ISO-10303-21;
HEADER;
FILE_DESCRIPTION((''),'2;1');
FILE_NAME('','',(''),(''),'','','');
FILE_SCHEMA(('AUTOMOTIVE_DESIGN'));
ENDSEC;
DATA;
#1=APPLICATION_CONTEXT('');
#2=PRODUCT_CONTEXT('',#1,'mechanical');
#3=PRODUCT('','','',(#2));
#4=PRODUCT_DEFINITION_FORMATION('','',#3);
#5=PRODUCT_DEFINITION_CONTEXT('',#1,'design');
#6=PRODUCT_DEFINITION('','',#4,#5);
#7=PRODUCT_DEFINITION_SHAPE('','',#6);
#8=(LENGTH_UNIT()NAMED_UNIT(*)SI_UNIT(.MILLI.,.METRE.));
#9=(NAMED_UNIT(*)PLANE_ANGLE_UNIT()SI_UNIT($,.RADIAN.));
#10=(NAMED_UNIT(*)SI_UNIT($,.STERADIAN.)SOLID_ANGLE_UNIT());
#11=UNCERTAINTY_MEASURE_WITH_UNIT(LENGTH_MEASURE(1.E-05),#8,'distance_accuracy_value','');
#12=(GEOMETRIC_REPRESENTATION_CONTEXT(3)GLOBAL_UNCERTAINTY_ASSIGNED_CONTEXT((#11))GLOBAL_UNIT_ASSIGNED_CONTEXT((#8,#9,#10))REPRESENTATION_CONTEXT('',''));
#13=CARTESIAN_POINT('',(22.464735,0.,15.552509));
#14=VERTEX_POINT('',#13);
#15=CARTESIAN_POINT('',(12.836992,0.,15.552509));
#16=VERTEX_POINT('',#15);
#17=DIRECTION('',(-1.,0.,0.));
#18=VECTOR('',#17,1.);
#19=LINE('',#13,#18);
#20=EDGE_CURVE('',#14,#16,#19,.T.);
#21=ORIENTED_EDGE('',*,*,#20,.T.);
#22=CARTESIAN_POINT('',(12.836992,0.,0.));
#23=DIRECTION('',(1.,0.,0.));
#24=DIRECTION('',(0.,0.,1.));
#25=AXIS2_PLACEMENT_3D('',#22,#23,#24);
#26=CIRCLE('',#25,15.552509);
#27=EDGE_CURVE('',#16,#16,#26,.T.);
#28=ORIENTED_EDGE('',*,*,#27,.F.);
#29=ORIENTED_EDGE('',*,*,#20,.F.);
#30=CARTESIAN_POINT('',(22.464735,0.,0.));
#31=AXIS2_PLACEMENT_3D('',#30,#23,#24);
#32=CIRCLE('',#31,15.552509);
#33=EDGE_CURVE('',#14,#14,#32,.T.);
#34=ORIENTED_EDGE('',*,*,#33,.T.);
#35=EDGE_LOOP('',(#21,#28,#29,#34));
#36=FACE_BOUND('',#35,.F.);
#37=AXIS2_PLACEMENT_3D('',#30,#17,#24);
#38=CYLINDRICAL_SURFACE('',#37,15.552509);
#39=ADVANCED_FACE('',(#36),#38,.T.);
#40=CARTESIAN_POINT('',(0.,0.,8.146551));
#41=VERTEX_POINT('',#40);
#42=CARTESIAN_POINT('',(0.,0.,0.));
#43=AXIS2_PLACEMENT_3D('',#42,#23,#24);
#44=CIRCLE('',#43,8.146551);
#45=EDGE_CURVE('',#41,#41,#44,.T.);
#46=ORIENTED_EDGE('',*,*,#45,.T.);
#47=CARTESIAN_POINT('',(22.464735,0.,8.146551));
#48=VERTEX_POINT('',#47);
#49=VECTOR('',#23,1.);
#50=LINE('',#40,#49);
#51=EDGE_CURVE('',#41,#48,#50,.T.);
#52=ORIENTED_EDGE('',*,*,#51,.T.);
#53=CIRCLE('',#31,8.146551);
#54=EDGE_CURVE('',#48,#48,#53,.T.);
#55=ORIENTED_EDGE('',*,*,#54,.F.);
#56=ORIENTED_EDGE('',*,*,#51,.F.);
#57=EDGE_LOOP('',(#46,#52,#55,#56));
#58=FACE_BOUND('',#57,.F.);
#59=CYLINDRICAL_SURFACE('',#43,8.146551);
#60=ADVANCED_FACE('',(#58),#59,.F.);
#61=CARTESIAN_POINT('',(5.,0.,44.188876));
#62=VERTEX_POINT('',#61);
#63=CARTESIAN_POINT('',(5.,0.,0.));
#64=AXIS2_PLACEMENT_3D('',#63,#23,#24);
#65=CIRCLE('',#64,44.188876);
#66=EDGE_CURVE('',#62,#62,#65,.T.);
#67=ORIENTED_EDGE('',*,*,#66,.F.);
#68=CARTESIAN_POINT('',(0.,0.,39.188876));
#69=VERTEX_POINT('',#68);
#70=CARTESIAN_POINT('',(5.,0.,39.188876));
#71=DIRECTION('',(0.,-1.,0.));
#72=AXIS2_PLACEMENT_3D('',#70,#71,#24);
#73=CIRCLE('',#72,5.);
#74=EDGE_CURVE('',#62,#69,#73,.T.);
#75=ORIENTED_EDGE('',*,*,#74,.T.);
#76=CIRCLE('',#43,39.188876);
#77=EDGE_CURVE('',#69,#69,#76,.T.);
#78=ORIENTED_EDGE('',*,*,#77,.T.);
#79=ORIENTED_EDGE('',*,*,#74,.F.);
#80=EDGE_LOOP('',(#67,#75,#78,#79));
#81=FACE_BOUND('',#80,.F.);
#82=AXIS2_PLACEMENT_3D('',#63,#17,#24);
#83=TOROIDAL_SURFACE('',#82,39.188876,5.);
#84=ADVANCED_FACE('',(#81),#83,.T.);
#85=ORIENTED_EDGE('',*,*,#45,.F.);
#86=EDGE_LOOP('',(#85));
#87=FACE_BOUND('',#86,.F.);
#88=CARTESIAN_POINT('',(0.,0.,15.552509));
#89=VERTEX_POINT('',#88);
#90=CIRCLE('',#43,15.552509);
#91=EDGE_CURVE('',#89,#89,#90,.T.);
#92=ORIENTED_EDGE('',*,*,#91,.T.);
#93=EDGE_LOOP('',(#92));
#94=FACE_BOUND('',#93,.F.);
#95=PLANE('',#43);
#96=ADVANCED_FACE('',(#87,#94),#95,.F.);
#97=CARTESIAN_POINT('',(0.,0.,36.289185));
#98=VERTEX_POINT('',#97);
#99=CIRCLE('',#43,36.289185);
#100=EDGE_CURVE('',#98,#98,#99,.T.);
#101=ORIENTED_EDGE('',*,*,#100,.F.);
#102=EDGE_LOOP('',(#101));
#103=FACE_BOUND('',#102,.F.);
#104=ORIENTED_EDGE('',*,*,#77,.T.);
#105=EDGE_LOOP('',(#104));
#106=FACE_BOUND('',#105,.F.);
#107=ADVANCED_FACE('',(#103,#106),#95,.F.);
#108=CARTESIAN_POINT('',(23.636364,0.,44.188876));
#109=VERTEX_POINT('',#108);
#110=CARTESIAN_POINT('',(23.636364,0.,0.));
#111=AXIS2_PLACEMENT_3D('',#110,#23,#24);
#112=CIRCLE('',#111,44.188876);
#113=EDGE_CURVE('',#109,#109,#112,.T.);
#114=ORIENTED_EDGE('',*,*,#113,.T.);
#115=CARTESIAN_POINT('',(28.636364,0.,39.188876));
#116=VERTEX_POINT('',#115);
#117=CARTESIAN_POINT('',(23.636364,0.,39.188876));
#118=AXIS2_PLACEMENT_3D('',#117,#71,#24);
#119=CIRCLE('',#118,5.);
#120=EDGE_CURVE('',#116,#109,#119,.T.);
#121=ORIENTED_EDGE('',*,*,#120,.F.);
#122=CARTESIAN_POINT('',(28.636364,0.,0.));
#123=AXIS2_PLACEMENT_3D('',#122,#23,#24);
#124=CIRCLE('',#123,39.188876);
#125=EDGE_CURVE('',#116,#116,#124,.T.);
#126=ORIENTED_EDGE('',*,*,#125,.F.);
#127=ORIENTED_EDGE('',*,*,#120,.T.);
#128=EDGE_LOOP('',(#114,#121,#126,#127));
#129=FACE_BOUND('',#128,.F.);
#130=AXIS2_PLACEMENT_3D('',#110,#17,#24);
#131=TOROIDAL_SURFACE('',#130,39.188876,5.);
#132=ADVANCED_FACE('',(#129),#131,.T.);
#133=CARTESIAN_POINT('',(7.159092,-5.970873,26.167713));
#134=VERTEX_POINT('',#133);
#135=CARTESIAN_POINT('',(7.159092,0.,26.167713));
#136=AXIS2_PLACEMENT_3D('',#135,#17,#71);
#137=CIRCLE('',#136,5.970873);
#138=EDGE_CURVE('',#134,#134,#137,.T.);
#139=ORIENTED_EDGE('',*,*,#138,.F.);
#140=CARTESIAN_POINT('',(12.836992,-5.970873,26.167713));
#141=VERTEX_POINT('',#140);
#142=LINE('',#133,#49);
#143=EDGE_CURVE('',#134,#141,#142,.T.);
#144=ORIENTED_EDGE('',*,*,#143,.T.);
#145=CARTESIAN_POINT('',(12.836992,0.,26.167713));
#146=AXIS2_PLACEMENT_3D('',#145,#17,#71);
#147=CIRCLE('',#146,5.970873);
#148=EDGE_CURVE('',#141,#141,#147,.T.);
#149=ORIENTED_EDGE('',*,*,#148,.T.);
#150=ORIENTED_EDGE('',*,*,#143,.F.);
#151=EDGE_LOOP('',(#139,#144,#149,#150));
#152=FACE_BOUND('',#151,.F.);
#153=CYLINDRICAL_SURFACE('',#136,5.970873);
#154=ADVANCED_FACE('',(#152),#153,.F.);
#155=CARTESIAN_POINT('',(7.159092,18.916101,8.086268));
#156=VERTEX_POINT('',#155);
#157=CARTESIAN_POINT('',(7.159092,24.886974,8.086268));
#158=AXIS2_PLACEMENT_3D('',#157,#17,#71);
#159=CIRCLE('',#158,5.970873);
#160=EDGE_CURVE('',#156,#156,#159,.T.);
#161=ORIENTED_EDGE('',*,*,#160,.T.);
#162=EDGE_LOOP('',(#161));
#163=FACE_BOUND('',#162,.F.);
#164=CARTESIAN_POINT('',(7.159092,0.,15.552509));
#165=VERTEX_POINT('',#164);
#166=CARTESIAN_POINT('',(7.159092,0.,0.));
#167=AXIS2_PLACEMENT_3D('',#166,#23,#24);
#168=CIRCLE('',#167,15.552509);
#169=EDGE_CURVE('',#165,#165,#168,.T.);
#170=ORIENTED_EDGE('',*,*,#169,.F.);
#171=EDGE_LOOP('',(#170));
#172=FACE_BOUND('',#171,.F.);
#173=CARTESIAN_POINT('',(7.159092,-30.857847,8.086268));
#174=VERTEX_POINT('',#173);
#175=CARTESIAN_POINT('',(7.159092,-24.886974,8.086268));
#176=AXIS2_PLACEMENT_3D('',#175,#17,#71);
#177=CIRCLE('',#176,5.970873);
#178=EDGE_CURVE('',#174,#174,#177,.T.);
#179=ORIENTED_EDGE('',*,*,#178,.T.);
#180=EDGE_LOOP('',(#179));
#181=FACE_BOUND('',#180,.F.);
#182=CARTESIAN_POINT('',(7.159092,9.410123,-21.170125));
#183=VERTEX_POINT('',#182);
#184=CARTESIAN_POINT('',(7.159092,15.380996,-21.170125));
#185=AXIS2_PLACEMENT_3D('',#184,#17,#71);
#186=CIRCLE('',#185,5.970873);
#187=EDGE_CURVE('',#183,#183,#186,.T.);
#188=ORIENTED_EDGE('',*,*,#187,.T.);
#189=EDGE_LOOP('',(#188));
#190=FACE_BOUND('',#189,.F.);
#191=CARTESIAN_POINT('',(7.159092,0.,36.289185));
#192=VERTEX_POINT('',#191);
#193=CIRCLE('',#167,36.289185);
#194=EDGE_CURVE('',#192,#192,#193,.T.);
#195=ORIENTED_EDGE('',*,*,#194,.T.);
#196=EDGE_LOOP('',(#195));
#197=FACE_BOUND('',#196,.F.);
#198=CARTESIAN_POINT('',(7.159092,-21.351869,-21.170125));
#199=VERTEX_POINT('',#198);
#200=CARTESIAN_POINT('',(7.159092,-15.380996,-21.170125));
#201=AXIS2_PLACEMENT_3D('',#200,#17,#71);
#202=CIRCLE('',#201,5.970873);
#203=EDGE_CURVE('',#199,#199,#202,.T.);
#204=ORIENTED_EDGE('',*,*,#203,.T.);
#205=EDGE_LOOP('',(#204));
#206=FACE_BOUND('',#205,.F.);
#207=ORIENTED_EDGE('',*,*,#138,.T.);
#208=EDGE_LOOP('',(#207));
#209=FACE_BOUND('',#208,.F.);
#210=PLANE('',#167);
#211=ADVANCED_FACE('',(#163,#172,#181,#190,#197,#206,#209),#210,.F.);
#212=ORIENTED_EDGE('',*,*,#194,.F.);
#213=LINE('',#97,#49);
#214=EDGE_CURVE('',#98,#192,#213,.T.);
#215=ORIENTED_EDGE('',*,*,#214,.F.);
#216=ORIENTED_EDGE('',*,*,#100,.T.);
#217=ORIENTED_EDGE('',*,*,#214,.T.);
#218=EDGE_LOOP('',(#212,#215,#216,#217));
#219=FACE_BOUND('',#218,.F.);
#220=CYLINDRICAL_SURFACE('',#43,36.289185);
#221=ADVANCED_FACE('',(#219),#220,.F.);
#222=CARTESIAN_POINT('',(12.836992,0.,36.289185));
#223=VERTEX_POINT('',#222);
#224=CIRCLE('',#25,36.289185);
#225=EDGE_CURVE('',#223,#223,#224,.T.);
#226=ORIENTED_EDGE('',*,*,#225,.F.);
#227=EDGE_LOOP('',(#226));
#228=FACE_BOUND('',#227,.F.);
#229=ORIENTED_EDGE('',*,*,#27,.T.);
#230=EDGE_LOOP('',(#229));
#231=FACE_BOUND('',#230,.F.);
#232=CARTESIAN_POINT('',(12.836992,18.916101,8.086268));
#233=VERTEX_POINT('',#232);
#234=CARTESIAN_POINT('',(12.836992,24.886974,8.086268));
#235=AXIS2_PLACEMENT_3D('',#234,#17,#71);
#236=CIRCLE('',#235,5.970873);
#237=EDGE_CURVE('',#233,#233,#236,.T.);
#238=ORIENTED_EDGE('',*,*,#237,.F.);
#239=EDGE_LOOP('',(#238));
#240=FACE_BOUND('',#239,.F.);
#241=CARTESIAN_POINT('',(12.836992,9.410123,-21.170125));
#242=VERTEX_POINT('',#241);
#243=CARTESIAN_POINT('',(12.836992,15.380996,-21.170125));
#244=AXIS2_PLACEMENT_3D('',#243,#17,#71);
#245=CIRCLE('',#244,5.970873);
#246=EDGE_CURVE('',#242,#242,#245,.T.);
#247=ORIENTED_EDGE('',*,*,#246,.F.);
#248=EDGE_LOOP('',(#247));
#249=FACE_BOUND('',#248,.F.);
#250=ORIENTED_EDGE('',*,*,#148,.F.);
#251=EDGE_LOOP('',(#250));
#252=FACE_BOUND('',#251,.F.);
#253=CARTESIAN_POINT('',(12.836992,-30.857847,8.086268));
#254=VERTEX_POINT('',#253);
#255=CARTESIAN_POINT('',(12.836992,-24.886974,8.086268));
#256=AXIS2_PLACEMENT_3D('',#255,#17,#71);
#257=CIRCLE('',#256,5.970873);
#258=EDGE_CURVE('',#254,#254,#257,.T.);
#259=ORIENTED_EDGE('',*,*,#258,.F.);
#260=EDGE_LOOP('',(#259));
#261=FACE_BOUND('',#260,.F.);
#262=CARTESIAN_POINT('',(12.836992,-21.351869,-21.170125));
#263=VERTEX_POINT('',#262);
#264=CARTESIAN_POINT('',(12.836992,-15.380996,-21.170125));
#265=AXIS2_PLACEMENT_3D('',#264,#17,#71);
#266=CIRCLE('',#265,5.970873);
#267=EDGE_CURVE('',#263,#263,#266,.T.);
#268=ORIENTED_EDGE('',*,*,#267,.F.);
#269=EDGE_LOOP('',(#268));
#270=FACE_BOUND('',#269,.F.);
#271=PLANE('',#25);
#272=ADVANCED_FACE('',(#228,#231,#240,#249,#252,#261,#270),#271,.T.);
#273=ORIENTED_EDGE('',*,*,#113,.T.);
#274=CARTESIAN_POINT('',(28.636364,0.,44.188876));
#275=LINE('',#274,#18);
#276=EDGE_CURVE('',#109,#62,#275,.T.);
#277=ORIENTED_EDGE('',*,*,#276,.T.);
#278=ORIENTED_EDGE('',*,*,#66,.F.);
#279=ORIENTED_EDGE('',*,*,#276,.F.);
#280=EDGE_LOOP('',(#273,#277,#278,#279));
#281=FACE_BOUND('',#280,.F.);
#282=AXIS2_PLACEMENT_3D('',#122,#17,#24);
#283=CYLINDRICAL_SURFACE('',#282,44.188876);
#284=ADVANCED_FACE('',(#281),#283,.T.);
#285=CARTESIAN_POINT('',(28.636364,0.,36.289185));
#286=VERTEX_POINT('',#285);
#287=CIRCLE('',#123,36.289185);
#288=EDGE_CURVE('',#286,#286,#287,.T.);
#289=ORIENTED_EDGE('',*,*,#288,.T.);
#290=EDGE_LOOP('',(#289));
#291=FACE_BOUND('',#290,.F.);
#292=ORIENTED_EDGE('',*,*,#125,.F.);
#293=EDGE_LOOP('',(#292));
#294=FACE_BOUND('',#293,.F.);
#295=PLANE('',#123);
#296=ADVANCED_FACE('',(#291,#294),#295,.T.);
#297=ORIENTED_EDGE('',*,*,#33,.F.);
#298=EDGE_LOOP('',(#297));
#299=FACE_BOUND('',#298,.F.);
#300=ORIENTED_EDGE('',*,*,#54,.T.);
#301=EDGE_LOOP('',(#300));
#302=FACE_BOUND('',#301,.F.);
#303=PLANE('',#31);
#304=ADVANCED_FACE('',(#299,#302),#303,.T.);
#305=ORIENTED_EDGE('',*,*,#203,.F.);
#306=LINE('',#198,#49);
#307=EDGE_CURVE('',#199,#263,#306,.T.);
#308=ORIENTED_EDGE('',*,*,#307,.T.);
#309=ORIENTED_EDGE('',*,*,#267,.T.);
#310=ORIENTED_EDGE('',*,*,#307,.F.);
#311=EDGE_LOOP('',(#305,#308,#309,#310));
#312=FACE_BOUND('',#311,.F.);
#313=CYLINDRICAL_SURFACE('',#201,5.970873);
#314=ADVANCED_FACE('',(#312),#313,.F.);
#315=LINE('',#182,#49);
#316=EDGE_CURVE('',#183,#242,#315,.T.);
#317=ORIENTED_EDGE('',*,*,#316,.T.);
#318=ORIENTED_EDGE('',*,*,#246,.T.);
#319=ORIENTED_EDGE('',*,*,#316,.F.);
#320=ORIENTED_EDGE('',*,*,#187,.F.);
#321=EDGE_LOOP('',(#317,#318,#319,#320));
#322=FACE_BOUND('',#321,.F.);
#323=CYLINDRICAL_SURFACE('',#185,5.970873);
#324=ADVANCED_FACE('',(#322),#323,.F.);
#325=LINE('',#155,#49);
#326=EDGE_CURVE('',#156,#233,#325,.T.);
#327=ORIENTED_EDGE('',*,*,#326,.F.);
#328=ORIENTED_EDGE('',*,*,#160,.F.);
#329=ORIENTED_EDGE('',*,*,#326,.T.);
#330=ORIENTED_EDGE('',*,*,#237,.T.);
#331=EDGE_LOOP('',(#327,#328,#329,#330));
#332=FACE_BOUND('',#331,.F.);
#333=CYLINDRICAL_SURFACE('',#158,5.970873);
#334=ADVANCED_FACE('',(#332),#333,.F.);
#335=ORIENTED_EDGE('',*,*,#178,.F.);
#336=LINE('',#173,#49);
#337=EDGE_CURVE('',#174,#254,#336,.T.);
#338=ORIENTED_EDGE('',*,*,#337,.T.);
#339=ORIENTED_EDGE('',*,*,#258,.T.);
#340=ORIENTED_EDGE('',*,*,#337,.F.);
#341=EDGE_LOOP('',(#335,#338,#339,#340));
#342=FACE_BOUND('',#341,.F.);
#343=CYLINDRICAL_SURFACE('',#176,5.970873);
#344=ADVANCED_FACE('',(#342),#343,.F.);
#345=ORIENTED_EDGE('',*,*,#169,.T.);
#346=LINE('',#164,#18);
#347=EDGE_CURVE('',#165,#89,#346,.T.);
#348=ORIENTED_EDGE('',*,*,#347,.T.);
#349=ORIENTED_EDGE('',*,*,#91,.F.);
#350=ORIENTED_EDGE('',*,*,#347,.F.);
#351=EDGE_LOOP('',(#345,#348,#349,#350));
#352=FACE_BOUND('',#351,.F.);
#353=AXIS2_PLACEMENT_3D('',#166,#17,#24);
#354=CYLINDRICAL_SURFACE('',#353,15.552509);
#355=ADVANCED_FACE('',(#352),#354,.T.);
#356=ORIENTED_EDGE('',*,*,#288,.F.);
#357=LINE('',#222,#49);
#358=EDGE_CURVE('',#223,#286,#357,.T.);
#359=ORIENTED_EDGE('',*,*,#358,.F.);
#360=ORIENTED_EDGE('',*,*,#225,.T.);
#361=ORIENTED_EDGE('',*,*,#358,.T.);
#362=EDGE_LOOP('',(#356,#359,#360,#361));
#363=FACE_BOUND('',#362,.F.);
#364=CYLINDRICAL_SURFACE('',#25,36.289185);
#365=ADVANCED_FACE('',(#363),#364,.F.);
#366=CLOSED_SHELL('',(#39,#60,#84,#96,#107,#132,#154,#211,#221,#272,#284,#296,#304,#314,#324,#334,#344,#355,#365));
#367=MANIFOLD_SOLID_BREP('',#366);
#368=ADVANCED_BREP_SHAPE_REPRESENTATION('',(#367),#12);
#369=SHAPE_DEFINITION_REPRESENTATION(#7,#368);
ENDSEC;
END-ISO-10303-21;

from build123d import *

# Parameters (mm, degrees)
F3_R     = 5
F2_R     = 5.970873
F4_DEPTH = 25


with BuildPart() as f1:
    # F0 (on Front) → F1 (revolve)
    with BuildSketch(Plane.XZ):
        Polygon((7.159092, 15.552509), (0, 15.552509), (0, 8.146551), (22.464735, 8.146551), (22.464735, 15.552509), (12.836992, 15.552509), (12.836992, 36.289185), (28.636364, 36.289185), (28.636364, 44.188876), (0, 44.188876), (0, 36.289185), (7.159092, 36.289185), align=None)
    revolve(axis=Axis((9.257446, 0, 0), (1, 0, 0)))

    # F3
    f3_edges = [f1.edges().sort_by_distance(p)[0] for p in [
        (28.636364, 0, -44.188876),
        (0, 0, -44.188876),
    ]]
    fillet(f3_edges, radius=F3_R)

    # F2 (on face) → F4 (cut)
    with BuildSketch(Plane(origin=(7.159092, 0, 0), x_dir=(0, -1, 0), z_dir=(-1, 0, 0))):
        with Locations((0, 26.167713)):
            Circle(F2_R)
        with Locations((-24.886974, 8.086268)):
            Circle(F2_R)
        with Locations((24.886974, 8.086268)):
            Circle(F2_R)
        with Locations((-15.380996, -21.170125)):
            Circle(F2_R)
        with Locations((15.380996, -21.170125)):
            Circle(F2_R)
    extrude(amount=-F4_DEPTH, mode=Mode.SUBTRACT)


solid = f1.part
